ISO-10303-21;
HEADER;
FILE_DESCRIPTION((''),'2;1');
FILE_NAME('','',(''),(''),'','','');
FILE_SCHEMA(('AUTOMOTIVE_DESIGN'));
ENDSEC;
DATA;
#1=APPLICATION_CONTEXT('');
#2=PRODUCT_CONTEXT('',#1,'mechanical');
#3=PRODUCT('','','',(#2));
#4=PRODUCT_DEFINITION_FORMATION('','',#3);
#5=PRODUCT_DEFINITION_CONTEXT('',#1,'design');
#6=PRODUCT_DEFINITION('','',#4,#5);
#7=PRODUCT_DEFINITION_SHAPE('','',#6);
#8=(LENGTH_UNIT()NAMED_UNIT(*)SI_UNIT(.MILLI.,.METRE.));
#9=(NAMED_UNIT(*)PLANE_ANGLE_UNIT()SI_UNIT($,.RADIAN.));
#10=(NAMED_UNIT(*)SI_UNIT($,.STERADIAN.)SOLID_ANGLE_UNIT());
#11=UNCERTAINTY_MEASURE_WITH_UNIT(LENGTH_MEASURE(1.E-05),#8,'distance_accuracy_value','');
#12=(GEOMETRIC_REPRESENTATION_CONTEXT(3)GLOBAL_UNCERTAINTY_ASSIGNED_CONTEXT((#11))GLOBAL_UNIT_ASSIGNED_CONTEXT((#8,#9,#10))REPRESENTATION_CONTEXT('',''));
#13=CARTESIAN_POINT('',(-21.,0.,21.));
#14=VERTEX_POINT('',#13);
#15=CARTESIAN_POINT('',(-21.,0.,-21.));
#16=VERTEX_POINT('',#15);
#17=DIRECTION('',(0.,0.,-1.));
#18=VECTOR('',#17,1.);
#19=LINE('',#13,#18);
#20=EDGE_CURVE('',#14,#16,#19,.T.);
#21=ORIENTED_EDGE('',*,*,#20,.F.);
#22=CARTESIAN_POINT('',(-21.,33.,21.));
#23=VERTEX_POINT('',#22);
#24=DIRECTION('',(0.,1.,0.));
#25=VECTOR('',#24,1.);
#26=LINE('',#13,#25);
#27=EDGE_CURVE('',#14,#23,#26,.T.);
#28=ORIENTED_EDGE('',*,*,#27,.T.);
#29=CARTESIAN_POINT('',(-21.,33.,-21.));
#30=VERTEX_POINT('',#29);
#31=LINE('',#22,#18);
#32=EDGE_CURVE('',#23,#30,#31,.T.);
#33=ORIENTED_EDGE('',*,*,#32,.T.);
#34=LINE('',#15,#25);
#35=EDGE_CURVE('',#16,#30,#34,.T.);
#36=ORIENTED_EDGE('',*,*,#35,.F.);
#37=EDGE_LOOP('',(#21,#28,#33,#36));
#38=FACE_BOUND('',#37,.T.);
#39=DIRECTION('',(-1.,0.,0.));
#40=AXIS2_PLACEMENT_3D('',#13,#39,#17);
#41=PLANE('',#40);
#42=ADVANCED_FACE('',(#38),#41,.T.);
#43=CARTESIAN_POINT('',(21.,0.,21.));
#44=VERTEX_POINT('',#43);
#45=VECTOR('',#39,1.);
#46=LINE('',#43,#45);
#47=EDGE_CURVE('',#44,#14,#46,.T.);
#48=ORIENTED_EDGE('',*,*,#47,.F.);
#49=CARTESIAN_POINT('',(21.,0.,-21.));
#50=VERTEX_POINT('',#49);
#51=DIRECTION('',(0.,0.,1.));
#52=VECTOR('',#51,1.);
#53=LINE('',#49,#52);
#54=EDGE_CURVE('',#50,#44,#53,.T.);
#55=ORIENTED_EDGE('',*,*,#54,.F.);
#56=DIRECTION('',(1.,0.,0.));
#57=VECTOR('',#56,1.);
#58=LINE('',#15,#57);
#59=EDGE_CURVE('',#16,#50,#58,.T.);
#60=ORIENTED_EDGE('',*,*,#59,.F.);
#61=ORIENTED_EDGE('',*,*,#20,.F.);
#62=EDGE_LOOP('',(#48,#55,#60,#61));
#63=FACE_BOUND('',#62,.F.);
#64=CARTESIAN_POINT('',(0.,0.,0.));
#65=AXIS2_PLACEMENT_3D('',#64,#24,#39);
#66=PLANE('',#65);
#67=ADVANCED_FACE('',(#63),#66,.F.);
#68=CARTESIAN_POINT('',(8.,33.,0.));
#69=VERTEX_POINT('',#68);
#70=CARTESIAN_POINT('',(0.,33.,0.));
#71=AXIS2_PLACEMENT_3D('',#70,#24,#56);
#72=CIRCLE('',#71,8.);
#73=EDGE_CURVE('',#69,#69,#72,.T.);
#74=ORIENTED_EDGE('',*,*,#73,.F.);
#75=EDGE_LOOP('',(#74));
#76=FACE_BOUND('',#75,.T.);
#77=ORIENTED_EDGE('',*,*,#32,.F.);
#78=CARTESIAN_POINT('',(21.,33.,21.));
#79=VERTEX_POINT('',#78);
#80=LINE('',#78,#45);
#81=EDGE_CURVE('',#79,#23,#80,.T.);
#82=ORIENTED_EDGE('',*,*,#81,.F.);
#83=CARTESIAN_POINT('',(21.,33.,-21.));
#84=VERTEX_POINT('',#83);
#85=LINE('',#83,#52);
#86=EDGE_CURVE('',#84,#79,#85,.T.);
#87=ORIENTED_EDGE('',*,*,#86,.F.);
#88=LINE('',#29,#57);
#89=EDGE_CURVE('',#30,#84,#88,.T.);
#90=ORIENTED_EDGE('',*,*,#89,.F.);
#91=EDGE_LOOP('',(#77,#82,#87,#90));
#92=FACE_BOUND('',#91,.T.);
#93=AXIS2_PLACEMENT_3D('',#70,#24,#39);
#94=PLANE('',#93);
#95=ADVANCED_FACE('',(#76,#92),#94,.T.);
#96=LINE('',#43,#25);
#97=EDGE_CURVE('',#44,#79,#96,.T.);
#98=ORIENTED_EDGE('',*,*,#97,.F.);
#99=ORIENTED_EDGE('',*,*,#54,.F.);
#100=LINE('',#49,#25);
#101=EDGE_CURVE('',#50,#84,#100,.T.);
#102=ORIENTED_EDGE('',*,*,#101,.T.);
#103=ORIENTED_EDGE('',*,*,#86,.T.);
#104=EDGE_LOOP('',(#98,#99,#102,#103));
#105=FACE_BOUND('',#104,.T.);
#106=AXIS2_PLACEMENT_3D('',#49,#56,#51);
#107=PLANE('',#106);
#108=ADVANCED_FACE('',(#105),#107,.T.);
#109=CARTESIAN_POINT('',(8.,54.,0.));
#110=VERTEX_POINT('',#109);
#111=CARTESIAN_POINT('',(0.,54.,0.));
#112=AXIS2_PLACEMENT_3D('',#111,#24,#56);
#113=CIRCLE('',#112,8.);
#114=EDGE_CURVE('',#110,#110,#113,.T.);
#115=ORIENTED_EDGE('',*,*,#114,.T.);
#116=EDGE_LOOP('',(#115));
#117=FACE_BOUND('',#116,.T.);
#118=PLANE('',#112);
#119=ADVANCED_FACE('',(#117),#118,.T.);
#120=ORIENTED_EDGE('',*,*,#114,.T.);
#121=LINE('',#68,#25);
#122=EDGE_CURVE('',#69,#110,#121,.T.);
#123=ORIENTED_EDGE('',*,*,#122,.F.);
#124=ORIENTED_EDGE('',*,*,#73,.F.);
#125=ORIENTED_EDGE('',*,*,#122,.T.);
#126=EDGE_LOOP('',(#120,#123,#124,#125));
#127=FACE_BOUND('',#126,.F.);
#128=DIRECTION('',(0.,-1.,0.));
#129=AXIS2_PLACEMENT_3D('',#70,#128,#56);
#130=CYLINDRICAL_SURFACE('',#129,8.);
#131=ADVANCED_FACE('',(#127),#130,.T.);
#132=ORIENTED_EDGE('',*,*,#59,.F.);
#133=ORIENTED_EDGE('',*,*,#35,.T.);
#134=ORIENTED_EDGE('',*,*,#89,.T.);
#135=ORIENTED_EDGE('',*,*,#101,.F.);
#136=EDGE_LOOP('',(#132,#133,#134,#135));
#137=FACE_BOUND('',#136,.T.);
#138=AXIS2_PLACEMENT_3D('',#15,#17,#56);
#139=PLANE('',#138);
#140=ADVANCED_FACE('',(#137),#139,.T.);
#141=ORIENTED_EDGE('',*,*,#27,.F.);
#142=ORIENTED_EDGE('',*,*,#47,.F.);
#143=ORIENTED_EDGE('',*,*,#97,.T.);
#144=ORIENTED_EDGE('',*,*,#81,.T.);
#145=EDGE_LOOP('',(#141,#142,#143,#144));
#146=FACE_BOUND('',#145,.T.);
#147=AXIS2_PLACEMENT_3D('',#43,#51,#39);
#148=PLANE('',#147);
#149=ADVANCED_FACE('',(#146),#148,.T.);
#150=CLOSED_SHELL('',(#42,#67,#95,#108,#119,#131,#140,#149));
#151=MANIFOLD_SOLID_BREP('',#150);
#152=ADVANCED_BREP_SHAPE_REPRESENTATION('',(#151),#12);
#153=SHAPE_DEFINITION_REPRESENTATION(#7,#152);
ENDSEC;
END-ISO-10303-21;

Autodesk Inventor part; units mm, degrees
ref_plane "YZ Plane" through (0, 0, 0) normal (1, 0, 0) x (0, 1, 0)
ref_plane "XZ Plane" through (0, 0, 0) normal (0, 1, 0) x (-1, 0, 0)
ref_plane "XY Plane" through (0, 0, 0) normal (0, 0, 1) x (1, 0, 0)
sketch "Sketch1" plane through (0, 0, 0) normal (0, 1, 0) x (-1, 0, 0)
  line L0 (-21, 21) -> (21, 21)
  line L1 (21, 21) -> (21, -21)
  line L2 (21, -21) -> (-21, -21)
  line L3 (-21, -21) -> (-21, 21)
  line L4 (-21, 21) -> (21, -21) construction
  line L5 (21, 21) -> (-21, -21) construction
  point P0 (0, 0)
  dimension "d0" = 42
  dimension "d1" = 42
extrude "Extrusion1" add sketch "Sketch1" along normal blind 33
sketch "Sketch2" plane through (0, 33, 0) normal (0, 1, 0) x (1, 0, 0)
  circle A0 centre (0, 0) radius 8
  dimension "d4" = 16
extrude "Extrusion2" add sketch "Sketch2" along normal blind 21
properties part number "HeadStepper"
